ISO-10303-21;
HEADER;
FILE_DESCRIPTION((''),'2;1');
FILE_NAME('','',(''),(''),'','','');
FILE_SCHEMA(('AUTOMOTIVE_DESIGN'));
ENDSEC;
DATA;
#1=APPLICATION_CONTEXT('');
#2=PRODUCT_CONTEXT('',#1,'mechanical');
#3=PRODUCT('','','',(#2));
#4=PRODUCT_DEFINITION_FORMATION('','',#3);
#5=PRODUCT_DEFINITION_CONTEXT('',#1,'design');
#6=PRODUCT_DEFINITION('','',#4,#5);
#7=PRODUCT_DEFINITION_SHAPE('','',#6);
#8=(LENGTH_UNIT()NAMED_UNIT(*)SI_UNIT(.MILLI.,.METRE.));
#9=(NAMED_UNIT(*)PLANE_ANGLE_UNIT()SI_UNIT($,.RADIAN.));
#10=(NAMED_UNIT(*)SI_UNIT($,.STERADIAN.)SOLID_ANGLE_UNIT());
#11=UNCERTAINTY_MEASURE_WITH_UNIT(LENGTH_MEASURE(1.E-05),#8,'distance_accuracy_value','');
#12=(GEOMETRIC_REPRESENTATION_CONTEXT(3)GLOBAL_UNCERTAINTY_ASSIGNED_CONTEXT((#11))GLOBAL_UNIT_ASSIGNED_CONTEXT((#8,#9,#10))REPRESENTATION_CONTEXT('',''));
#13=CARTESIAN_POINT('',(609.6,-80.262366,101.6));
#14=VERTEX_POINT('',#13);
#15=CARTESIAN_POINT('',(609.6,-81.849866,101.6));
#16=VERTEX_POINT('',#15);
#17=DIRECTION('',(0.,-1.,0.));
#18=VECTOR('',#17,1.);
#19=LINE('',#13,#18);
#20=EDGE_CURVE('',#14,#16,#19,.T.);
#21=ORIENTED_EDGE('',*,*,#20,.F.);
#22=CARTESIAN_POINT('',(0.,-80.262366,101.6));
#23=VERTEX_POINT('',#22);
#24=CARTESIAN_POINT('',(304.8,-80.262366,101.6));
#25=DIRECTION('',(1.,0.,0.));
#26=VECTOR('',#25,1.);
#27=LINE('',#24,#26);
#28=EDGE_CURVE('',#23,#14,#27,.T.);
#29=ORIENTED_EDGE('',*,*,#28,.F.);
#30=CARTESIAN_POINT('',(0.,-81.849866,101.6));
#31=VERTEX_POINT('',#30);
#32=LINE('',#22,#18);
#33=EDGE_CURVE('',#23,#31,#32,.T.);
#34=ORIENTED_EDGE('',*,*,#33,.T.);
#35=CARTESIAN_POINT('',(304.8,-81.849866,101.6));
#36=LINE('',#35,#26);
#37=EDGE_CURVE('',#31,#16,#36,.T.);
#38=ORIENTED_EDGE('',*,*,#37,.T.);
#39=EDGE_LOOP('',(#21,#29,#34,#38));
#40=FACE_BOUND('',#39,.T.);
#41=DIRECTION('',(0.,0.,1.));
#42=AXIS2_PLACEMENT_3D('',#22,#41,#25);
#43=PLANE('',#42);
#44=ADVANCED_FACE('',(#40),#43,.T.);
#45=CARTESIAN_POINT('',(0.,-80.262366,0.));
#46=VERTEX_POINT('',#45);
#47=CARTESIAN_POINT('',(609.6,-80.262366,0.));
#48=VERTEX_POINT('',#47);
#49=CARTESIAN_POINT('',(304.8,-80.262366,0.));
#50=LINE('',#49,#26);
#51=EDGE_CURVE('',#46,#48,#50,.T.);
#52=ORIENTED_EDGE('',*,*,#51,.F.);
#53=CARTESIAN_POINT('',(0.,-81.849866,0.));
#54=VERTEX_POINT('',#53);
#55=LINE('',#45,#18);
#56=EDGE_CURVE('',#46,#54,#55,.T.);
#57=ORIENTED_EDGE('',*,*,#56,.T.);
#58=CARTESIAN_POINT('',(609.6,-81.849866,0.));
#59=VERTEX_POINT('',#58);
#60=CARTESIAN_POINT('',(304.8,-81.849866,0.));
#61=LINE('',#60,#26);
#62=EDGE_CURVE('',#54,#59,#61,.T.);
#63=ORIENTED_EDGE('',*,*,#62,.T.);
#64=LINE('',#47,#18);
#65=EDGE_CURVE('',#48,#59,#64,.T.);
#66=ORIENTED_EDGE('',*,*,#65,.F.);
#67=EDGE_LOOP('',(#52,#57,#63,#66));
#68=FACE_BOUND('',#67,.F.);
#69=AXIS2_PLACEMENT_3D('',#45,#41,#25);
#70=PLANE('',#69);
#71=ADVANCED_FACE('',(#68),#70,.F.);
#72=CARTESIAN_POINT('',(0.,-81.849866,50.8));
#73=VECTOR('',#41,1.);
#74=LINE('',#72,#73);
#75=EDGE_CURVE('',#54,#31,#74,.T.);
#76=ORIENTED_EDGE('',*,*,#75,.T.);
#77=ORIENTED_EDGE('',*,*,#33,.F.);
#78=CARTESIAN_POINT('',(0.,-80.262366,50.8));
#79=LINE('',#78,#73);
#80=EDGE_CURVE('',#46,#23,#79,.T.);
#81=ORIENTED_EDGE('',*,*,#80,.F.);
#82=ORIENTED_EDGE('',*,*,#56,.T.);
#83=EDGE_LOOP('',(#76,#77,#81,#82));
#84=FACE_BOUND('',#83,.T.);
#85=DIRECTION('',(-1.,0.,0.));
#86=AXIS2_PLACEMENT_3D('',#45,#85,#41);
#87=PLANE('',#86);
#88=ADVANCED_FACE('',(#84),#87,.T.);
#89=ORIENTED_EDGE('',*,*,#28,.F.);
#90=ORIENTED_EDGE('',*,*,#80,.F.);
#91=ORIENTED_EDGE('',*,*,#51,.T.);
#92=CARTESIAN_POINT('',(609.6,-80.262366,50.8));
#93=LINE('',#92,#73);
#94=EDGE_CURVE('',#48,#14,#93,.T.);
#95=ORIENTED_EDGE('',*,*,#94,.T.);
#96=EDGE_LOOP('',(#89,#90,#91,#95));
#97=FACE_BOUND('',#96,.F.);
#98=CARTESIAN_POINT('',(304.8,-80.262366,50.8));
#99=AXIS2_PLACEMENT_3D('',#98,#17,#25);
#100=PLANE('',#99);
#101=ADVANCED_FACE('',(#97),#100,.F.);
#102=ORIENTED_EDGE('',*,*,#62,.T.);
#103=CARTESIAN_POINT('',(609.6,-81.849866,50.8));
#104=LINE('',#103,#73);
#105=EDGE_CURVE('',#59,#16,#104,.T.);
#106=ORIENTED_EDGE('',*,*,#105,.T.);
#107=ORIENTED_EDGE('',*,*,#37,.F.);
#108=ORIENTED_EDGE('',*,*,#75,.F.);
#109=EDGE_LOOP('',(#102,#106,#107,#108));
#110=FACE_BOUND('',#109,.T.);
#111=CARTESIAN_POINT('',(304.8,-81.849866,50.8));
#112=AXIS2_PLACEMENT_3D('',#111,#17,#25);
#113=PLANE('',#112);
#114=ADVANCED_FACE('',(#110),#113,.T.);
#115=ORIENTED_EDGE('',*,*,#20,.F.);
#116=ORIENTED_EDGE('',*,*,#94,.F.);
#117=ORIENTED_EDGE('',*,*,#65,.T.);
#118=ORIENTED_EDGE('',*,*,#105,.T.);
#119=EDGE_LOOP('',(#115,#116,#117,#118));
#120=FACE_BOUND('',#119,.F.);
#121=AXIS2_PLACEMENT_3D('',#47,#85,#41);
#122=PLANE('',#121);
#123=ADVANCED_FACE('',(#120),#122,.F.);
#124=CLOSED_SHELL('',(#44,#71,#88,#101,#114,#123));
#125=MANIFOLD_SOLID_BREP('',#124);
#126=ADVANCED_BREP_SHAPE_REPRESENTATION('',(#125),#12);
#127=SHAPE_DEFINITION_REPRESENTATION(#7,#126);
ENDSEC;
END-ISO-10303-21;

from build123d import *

# Parameters (mm, degrees)
SKETCH1_W           = 609.6
SKETCH1_H           = 101.6
BOSS_EXTRUDE1_DEPTH = 1.5875


with BuildPart() as part:
    # Sketch1 → Boss-Extrude1 (new body)
    with BuildSketch(Plane.XZ.offset(80.26236602)):
        with Locations((304.8, 50.8)):
            Rectangle(SKETCH1_W, SKETCH1_H)
    extrude(amount=BOSS_EXTRUDE1_DEPTH)


solid = part.part
